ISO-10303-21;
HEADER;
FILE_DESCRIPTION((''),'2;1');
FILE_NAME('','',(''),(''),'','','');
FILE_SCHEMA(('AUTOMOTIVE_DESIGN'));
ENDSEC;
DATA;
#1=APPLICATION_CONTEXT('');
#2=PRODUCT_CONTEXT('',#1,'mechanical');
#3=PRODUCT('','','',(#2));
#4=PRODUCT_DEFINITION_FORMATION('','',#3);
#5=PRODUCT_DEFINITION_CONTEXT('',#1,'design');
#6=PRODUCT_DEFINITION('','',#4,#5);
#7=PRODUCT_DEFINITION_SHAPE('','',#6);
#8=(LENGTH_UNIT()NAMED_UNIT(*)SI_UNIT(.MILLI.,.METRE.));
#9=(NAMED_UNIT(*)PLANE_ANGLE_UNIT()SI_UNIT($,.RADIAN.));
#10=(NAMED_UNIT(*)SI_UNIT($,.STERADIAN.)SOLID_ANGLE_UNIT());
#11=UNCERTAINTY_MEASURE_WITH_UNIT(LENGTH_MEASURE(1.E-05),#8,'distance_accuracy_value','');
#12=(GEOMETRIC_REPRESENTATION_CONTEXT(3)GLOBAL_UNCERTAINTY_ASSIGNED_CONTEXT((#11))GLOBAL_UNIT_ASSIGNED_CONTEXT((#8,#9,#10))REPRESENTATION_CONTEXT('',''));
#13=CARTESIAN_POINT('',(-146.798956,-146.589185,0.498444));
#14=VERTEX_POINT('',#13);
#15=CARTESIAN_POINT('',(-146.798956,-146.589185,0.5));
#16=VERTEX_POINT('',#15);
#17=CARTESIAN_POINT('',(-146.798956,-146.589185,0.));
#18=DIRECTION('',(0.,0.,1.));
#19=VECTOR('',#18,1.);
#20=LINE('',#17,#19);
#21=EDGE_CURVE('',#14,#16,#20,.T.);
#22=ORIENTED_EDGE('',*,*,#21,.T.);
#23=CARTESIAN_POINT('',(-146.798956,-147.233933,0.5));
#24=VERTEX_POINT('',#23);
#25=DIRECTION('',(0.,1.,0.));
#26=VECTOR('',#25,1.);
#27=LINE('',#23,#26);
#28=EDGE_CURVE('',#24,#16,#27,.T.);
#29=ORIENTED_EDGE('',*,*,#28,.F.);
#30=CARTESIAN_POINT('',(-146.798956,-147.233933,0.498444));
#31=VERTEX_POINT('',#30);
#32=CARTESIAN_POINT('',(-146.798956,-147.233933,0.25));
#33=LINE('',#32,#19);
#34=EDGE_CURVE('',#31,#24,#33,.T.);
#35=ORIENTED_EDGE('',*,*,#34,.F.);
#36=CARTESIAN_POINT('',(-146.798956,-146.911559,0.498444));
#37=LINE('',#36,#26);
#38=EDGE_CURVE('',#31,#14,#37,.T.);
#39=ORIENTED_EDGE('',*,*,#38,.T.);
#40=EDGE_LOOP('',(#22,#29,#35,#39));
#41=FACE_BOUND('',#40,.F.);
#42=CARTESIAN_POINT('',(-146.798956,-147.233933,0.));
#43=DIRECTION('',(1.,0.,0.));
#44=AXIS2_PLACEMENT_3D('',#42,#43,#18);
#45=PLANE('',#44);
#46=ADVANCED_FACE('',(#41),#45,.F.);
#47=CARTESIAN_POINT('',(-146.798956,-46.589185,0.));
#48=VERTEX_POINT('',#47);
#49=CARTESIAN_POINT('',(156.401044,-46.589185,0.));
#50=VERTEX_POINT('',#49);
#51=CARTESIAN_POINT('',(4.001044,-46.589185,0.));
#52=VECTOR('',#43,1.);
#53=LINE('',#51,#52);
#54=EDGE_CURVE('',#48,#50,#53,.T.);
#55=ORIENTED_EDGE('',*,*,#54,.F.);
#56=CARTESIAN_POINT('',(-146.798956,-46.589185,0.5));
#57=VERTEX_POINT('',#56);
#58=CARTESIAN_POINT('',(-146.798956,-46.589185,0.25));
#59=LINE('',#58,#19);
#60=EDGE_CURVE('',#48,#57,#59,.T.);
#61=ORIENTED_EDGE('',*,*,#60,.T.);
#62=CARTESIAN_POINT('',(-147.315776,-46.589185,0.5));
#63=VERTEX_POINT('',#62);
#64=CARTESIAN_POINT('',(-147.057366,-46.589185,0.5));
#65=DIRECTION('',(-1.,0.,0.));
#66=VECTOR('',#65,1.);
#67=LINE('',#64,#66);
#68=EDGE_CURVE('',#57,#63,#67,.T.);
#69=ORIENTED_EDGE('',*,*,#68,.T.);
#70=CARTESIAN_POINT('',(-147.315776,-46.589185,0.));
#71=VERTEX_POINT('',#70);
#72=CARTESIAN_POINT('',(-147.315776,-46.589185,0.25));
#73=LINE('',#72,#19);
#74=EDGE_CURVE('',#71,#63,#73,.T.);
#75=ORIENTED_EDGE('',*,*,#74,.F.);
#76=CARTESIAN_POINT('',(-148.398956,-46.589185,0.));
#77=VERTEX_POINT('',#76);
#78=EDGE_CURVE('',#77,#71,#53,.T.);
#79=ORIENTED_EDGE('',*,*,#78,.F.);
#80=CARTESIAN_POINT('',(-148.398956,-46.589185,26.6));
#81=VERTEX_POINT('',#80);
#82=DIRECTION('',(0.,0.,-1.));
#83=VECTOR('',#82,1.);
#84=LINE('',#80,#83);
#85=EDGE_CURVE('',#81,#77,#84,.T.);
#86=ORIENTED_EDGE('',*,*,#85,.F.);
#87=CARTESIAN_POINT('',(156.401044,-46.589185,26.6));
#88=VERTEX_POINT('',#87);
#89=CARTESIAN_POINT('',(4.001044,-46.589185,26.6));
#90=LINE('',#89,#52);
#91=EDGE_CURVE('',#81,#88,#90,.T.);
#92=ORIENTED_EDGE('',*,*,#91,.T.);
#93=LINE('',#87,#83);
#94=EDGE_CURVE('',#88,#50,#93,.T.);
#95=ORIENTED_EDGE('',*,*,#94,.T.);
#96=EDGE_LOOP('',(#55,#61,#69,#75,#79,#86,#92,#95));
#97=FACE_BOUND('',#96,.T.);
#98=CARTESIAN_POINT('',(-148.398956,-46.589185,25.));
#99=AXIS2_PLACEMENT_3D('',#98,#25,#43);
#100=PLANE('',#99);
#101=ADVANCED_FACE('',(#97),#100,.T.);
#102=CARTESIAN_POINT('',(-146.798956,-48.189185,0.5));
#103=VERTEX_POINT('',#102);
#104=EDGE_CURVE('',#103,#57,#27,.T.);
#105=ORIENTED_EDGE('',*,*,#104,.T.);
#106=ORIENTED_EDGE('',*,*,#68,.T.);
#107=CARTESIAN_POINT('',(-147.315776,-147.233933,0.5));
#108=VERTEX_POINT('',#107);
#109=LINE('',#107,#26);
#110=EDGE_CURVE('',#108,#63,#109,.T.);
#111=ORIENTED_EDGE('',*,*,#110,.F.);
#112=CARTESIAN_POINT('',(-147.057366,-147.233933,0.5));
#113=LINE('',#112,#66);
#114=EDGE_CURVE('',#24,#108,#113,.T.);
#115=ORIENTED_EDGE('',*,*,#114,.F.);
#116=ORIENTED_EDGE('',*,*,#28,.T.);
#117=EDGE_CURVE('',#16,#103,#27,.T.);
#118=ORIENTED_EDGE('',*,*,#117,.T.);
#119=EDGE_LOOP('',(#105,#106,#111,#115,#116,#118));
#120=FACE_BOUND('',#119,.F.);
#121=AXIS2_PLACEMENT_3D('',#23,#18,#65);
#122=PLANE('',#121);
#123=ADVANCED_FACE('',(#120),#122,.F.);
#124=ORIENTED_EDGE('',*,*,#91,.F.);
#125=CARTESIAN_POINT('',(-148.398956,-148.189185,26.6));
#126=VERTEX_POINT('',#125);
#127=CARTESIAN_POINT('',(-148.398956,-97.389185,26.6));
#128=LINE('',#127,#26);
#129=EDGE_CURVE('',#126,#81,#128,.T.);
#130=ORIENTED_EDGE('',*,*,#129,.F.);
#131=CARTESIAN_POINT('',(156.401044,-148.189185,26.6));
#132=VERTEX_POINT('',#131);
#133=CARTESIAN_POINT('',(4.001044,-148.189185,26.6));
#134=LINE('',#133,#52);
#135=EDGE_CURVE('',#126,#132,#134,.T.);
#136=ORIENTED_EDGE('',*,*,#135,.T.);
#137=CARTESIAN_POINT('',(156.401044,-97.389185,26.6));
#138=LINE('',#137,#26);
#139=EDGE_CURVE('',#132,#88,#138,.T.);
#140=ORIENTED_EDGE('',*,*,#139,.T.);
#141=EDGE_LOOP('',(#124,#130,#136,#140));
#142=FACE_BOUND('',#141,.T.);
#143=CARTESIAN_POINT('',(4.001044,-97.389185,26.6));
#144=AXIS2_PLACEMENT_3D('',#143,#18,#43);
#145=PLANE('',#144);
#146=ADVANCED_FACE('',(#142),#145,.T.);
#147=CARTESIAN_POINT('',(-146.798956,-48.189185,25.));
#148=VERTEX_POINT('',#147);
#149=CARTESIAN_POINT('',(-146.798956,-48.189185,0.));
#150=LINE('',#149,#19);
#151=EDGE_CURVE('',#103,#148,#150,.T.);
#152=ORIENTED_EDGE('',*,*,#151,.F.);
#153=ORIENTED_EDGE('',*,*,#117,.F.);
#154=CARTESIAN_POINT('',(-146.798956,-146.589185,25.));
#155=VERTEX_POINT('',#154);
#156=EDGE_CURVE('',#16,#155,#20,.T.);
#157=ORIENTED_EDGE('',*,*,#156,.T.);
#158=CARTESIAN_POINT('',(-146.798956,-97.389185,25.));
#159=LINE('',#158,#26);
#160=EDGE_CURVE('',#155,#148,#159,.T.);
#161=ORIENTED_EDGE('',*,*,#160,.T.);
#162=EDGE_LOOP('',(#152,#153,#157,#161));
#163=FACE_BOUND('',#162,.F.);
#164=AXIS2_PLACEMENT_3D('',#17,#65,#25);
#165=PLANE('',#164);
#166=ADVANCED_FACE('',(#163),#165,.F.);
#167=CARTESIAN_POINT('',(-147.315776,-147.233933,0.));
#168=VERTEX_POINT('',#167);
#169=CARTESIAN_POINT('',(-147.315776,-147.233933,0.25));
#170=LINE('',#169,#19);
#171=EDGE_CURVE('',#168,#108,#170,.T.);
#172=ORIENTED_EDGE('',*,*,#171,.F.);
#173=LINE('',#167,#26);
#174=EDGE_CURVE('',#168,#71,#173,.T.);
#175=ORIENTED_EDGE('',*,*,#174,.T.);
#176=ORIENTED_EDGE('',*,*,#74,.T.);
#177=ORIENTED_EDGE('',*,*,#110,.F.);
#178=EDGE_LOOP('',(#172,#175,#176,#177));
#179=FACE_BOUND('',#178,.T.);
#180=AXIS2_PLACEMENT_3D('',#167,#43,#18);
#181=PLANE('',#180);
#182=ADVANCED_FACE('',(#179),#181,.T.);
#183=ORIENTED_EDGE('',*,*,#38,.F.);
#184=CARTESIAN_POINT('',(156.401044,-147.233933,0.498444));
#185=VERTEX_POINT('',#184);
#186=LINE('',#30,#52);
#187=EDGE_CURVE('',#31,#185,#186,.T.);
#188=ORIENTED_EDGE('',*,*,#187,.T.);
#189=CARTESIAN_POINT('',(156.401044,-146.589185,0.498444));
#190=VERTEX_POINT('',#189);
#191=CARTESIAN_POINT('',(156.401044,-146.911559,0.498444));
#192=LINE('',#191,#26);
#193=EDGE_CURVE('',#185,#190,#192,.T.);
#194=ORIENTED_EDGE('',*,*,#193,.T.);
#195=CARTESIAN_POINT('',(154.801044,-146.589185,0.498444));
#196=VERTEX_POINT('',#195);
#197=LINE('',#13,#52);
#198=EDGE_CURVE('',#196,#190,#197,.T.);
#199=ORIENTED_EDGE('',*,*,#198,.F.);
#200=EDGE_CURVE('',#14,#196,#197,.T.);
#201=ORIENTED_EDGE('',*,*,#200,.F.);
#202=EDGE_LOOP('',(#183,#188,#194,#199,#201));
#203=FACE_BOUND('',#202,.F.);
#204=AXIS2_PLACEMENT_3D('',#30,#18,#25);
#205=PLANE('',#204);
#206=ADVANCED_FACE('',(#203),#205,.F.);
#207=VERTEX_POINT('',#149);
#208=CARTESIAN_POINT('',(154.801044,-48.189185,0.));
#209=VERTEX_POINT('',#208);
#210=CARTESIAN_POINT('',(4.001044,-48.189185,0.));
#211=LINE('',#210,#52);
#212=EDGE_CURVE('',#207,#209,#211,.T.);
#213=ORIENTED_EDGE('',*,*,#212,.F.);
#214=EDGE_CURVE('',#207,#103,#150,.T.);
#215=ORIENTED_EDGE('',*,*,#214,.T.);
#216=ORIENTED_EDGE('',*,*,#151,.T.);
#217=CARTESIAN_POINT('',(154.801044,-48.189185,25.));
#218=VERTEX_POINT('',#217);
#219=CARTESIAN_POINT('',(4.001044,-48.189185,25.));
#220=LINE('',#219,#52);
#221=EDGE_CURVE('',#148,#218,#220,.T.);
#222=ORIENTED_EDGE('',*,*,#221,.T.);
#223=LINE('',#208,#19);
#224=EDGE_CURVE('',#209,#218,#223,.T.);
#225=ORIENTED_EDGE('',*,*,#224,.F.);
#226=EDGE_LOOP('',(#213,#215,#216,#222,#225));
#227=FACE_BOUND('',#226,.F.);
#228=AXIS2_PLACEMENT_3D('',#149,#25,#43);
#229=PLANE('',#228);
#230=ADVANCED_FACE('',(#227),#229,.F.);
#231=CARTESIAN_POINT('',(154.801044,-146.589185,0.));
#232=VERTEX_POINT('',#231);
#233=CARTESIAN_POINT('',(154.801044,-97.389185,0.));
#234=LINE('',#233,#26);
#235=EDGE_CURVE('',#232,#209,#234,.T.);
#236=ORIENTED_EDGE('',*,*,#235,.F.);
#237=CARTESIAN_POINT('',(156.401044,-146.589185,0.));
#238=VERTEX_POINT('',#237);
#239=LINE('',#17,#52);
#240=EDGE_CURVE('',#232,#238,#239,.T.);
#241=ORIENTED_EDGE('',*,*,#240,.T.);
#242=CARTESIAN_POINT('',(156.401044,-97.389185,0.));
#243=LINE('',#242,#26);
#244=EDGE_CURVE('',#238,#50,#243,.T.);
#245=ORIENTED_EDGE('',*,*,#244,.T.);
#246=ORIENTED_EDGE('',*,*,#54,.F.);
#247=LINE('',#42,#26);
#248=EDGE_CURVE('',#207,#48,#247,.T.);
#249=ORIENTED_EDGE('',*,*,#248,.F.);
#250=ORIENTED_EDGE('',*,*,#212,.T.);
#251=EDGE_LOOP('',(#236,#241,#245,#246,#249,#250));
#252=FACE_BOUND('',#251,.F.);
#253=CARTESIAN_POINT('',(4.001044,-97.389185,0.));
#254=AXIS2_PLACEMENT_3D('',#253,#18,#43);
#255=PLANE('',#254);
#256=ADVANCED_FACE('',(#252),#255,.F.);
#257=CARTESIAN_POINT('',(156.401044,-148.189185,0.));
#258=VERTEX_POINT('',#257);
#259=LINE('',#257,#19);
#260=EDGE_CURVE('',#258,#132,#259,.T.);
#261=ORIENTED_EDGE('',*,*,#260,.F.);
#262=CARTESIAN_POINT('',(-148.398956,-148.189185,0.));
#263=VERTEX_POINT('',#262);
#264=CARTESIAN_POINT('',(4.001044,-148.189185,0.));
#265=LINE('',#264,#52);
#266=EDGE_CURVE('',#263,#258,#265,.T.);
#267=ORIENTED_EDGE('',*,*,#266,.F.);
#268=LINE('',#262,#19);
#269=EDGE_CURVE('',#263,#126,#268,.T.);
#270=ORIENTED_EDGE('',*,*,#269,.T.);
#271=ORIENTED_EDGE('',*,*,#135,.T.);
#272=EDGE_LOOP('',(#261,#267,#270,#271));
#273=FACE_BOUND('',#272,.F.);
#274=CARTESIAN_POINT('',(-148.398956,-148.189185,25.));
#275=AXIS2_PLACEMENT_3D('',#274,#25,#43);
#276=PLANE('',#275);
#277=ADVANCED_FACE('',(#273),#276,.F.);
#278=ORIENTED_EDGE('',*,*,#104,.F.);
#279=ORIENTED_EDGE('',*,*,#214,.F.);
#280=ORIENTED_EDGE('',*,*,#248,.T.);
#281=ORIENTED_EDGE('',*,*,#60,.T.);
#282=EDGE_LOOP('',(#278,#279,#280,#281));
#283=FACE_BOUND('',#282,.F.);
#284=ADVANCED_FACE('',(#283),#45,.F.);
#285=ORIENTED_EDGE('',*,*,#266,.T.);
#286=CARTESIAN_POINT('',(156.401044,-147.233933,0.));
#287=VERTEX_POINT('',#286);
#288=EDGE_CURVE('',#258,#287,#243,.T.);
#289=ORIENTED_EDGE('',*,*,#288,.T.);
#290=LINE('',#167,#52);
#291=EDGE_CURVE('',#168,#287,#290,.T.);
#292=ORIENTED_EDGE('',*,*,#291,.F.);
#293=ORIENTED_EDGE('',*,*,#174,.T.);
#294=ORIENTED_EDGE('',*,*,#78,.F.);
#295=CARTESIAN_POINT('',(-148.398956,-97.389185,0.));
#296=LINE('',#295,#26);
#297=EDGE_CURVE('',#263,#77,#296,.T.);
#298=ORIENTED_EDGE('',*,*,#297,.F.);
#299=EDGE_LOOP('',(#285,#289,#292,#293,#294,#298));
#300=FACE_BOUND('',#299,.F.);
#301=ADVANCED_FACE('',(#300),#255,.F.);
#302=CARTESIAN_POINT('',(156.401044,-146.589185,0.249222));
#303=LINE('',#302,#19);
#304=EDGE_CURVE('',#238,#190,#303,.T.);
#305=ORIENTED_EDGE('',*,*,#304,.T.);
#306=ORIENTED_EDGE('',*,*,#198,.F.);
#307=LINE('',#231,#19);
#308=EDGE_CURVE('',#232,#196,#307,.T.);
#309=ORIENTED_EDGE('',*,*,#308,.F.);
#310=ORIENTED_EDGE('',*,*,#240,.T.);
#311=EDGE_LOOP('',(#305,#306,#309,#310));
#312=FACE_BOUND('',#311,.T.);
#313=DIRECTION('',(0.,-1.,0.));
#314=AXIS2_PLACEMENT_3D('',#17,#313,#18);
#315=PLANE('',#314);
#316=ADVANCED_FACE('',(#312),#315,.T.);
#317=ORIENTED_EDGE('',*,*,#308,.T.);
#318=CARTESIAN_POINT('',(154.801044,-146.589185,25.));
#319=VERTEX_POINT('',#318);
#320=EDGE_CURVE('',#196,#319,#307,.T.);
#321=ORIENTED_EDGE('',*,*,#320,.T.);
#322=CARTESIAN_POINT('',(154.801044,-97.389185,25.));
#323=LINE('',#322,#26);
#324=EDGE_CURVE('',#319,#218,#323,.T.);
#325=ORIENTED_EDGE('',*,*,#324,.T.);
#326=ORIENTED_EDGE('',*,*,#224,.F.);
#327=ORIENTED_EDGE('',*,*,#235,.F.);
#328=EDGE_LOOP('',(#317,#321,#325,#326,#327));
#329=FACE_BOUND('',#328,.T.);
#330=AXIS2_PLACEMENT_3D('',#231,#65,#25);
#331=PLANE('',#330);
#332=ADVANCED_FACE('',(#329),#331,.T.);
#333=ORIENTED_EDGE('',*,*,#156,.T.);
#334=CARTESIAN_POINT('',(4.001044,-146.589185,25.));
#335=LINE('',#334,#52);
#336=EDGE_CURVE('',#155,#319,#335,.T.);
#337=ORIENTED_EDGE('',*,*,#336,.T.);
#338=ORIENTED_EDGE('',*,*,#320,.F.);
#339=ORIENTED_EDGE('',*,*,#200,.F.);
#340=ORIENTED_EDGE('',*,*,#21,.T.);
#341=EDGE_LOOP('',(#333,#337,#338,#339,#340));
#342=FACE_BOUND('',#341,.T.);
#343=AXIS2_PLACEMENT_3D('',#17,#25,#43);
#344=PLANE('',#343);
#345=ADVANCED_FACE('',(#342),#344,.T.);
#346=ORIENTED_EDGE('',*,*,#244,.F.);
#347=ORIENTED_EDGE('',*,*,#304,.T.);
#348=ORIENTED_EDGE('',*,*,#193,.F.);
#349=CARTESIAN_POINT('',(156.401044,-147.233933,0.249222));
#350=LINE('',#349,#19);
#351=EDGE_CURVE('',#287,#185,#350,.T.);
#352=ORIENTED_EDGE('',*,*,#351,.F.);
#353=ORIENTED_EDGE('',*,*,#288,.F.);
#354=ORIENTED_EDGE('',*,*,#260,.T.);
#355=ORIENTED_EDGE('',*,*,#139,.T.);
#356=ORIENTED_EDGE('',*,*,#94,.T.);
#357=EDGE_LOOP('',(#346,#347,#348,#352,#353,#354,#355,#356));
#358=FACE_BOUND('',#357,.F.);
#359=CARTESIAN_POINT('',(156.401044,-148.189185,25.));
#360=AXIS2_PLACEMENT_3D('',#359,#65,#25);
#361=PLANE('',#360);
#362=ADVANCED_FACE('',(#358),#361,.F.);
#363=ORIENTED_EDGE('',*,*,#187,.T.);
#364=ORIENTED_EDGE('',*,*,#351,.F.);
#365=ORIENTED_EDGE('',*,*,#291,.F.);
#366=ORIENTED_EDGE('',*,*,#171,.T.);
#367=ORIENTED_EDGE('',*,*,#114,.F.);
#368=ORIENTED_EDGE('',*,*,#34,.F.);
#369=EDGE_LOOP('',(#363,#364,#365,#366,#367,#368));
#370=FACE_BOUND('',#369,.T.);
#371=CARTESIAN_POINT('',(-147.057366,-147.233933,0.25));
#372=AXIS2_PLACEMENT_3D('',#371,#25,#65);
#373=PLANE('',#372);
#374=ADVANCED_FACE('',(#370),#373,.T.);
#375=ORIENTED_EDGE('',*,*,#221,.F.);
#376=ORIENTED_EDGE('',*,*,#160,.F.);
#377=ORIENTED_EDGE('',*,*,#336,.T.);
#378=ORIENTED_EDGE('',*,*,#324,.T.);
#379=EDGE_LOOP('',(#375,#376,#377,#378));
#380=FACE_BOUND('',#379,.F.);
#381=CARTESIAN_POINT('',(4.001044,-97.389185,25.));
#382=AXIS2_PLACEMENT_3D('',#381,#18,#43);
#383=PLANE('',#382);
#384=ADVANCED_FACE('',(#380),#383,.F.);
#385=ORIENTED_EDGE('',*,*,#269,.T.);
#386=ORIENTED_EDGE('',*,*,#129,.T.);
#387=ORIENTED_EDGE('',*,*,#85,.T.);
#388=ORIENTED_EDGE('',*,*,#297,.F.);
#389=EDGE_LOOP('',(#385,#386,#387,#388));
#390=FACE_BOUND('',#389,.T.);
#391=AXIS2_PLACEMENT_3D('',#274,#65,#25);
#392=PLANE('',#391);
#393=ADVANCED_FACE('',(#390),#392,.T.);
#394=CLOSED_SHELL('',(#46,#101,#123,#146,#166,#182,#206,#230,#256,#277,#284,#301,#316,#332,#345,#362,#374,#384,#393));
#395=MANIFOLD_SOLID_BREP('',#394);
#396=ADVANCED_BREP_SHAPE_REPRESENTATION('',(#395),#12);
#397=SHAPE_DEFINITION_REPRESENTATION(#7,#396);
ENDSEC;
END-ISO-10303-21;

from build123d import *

# Parameters (mm, degrees)
F0_W     = 304.8
F0_H     = 101.6
F0_W_2   = 301.6
F0_H_2   = 98.4
F1_DEPTH = 25
F2_W     = 304.8
F2_H     = 101.6
F3_DEPTH = 1.6
F4_W     = 0.644748
F4_H     = 0.498444
F5_DEPTH = 303.2
F6_W     = 0.51682
F6_H     = 0.5
F7_DEPTH = 100.644748


with BuildPart() as f1:
    # F0 (on Top) → F1 (new body)
    with BuildSketch(Plane.XY):
        with Locations((4.001044, -97.389185)):
            Rectangle(F0_W, F0_H)
        with Locations((4.001044, -97.389185)):
            Rectangle(F0_W_2, F0_H_2, mode=Mode.SUBTRACT)
    extrude(amount=F1_DEPTH)

    # F2 (on face) → F3 (join)
    with BuildSketch(Plane.XY.offset(25)):
        with Locations((4.001044, -97.389185)):
            Rectangle(F2_W, F2_H)
    extrude(amount=F3_DEPTH)

    # F4 (on face) → F5 (cut, through all)
    with BuildSketch(Plane.YZ.offset(-146.798956)):
        with Locations((-146.911559, 0.249222)):
            Rectangle(F4_W, F4_H)
    extrude(amount=F5_DEPTH, mode=Mode.SUBTRACT)

    # F6 (on face) → F7 (cut, through all)
    with BuildSketch(Plane(origin=(0, -147.233933, 0), x_dir=(-1, 0, 0), z_dir=(0, 1, 0))):
        with Locations((147.057366, 0.25)):
            Rectangle(F6_W, F6_H)
    extrude(amount=F7_DEPTH, mode=Mode.SUBTRACT)


solid = f1.part
